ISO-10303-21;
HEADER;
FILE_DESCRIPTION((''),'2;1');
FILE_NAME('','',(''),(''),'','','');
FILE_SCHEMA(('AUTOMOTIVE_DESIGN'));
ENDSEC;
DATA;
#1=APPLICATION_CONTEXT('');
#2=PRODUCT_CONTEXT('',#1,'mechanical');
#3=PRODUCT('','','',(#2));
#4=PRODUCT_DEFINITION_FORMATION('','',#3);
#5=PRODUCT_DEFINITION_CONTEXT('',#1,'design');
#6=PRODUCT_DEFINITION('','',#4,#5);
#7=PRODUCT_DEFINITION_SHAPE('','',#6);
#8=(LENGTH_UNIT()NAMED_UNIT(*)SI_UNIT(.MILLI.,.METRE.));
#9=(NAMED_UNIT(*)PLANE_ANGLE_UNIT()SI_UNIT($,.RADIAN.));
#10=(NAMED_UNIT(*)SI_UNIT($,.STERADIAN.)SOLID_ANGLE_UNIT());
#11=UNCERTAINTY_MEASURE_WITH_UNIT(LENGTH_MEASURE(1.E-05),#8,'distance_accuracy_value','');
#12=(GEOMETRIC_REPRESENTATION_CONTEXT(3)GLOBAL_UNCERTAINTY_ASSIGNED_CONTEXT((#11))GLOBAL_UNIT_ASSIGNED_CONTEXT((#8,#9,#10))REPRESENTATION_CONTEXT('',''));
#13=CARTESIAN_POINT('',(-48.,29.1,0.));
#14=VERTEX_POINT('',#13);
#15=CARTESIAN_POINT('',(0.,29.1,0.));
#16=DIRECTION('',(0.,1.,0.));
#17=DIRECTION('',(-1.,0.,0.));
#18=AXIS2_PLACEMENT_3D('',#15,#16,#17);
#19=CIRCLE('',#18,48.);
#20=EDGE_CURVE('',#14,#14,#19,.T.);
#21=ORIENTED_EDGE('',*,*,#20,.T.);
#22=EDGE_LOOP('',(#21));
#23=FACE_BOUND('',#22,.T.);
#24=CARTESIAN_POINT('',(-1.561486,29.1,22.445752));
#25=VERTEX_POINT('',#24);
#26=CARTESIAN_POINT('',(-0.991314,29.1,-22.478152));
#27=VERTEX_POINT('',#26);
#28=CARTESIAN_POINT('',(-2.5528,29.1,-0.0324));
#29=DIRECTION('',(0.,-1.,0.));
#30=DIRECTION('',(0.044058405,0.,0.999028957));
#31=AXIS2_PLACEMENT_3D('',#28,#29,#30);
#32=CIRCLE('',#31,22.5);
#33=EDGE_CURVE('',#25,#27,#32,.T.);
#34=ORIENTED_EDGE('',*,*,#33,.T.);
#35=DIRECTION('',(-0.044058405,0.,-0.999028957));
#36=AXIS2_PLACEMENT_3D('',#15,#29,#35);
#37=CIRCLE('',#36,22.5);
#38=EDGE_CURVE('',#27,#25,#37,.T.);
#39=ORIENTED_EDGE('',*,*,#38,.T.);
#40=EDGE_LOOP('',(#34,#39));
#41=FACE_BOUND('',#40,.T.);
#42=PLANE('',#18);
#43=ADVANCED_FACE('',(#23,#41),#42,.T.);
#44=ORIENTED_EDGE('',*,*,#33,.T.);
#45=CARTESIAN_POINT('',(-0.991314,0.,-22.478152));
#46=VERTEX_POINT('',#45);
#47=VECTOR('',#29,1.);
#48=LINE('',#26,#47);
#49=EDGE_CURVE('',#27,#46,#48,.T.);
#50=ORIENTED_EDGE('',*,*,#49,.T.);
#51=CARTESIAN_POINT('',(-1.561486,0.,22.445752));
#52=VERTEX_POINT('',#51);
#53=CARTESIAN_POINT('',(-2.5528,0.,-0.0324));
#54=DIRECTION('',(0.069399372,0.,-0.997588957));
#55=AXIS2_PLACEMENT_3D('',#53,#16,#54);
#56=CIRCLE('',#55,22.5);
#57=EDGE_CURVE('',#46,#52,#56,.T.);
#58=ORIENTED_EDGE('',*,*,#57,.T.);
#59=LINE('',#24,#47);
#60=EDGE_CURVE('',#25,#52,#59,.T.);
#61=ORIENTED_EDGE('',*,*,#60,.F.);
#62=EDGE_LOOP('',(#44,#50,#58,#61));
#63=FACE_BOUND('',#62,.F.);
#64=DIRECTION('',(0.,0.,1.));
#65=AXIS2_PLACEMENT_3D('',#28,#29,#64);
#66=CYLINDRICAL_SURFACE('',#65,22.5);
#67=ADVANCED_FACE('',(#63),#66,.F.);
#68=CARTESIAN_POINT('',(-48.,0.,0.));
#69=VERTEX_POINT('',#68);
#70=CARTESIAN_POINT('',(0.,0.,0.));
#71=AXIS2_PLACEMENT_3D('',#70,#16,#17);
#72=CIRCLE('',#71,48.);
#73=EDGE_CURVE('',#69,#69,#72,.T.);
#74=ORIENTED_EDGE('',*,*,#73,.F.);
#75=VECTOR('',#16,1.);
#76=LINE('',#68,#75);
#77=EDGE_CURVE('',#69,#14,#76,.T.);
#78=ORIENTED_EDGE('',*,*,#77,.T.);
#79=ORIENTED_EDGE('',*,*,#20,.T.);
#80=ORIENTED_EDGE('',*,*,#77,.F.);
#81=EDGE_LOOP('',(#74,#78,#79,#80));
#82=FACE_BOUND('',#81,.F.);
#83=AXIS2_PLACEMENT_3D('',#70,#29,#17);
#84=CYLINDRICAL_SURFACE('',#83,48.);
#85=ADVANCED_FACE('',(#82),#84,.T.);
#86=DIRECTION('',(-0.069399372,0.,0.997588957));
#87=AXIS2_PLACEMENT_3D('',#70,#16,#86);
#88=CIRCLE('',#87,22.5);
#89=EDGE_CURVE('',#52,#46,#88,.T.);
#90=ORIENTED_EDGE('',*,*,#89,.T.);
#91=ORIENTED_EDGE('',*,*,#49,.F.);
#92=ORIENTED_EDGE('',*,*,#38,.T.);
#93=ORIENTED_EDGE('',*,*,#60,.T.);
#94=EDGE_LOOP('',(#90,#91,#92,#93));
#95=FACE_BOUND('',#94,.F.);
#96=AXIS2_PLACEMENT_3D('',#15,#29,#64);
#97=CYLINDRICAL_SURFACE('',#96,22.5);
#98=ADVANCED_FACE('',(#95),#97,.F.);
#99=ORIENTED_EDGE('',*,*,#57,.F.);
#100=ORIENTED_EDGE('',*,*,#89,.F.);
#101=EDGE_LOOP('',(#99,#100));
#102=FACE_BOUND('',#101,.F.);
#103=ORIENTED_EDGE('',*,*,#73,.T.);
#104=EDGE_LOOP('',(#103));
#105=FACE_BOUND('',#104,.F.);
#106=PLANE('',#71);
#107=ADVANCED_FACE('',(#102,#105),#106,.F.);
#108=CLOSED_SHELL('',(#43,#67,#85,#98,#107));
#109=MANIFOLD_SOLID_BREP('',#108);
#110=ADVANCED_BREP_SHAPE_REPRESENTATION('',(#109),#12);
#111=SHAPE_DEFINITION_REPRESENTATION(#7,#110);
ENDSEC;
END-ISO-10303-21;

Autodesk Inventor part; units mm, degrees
ref_plane "YZ Plane" through (0, 0, 0) normal (1, 0, 0) x (0, 1, 0)
ref_plane "XZ Plane" through (0, 0, 0) normal (0, 1, 0) x (-1, 0, 0)
ref_plane "XY Plane" through (0, 0, 0) normal (0, 0, 1) x (1, 0, 0)
sketch "Sketch1" plane through (0, 0, 0) normal (0, 1, 0) x (-1, 0, 0)
  circle A0 centre (0, 0) radius 48
  dimension "d0" = 96
extrude "Extrusion1" add sketch "Sketch1" along normal blind 29.1
sketch "Sketch2" plane through (0, 29.1, 0) normal (0, 1, 0) x (1, 0, 0)
  point P0 (0, 0)
  point P1 (-2.5528, 0.0324)
hole "Hole1" at (-2.5528, 29.1, -0.0324) direction (0, -1, 0) diameter 45 end through all
sketch "Sketch3" plane through (0, 29.1, 0) normal (0, 1, 0) x (1, 0, 0)
  point P0 (0, 0)
sketch "Sketch4" plane through (0, 29.1, 0) normal (0, 1, 0) x (1, 0, 0)
  point P0 (0, 0)
hole "Hole2" at (0, 29.1, 0) direction (0, -1, 0) diameter 45 end through all
properties part number "bobina_sin_numero"
